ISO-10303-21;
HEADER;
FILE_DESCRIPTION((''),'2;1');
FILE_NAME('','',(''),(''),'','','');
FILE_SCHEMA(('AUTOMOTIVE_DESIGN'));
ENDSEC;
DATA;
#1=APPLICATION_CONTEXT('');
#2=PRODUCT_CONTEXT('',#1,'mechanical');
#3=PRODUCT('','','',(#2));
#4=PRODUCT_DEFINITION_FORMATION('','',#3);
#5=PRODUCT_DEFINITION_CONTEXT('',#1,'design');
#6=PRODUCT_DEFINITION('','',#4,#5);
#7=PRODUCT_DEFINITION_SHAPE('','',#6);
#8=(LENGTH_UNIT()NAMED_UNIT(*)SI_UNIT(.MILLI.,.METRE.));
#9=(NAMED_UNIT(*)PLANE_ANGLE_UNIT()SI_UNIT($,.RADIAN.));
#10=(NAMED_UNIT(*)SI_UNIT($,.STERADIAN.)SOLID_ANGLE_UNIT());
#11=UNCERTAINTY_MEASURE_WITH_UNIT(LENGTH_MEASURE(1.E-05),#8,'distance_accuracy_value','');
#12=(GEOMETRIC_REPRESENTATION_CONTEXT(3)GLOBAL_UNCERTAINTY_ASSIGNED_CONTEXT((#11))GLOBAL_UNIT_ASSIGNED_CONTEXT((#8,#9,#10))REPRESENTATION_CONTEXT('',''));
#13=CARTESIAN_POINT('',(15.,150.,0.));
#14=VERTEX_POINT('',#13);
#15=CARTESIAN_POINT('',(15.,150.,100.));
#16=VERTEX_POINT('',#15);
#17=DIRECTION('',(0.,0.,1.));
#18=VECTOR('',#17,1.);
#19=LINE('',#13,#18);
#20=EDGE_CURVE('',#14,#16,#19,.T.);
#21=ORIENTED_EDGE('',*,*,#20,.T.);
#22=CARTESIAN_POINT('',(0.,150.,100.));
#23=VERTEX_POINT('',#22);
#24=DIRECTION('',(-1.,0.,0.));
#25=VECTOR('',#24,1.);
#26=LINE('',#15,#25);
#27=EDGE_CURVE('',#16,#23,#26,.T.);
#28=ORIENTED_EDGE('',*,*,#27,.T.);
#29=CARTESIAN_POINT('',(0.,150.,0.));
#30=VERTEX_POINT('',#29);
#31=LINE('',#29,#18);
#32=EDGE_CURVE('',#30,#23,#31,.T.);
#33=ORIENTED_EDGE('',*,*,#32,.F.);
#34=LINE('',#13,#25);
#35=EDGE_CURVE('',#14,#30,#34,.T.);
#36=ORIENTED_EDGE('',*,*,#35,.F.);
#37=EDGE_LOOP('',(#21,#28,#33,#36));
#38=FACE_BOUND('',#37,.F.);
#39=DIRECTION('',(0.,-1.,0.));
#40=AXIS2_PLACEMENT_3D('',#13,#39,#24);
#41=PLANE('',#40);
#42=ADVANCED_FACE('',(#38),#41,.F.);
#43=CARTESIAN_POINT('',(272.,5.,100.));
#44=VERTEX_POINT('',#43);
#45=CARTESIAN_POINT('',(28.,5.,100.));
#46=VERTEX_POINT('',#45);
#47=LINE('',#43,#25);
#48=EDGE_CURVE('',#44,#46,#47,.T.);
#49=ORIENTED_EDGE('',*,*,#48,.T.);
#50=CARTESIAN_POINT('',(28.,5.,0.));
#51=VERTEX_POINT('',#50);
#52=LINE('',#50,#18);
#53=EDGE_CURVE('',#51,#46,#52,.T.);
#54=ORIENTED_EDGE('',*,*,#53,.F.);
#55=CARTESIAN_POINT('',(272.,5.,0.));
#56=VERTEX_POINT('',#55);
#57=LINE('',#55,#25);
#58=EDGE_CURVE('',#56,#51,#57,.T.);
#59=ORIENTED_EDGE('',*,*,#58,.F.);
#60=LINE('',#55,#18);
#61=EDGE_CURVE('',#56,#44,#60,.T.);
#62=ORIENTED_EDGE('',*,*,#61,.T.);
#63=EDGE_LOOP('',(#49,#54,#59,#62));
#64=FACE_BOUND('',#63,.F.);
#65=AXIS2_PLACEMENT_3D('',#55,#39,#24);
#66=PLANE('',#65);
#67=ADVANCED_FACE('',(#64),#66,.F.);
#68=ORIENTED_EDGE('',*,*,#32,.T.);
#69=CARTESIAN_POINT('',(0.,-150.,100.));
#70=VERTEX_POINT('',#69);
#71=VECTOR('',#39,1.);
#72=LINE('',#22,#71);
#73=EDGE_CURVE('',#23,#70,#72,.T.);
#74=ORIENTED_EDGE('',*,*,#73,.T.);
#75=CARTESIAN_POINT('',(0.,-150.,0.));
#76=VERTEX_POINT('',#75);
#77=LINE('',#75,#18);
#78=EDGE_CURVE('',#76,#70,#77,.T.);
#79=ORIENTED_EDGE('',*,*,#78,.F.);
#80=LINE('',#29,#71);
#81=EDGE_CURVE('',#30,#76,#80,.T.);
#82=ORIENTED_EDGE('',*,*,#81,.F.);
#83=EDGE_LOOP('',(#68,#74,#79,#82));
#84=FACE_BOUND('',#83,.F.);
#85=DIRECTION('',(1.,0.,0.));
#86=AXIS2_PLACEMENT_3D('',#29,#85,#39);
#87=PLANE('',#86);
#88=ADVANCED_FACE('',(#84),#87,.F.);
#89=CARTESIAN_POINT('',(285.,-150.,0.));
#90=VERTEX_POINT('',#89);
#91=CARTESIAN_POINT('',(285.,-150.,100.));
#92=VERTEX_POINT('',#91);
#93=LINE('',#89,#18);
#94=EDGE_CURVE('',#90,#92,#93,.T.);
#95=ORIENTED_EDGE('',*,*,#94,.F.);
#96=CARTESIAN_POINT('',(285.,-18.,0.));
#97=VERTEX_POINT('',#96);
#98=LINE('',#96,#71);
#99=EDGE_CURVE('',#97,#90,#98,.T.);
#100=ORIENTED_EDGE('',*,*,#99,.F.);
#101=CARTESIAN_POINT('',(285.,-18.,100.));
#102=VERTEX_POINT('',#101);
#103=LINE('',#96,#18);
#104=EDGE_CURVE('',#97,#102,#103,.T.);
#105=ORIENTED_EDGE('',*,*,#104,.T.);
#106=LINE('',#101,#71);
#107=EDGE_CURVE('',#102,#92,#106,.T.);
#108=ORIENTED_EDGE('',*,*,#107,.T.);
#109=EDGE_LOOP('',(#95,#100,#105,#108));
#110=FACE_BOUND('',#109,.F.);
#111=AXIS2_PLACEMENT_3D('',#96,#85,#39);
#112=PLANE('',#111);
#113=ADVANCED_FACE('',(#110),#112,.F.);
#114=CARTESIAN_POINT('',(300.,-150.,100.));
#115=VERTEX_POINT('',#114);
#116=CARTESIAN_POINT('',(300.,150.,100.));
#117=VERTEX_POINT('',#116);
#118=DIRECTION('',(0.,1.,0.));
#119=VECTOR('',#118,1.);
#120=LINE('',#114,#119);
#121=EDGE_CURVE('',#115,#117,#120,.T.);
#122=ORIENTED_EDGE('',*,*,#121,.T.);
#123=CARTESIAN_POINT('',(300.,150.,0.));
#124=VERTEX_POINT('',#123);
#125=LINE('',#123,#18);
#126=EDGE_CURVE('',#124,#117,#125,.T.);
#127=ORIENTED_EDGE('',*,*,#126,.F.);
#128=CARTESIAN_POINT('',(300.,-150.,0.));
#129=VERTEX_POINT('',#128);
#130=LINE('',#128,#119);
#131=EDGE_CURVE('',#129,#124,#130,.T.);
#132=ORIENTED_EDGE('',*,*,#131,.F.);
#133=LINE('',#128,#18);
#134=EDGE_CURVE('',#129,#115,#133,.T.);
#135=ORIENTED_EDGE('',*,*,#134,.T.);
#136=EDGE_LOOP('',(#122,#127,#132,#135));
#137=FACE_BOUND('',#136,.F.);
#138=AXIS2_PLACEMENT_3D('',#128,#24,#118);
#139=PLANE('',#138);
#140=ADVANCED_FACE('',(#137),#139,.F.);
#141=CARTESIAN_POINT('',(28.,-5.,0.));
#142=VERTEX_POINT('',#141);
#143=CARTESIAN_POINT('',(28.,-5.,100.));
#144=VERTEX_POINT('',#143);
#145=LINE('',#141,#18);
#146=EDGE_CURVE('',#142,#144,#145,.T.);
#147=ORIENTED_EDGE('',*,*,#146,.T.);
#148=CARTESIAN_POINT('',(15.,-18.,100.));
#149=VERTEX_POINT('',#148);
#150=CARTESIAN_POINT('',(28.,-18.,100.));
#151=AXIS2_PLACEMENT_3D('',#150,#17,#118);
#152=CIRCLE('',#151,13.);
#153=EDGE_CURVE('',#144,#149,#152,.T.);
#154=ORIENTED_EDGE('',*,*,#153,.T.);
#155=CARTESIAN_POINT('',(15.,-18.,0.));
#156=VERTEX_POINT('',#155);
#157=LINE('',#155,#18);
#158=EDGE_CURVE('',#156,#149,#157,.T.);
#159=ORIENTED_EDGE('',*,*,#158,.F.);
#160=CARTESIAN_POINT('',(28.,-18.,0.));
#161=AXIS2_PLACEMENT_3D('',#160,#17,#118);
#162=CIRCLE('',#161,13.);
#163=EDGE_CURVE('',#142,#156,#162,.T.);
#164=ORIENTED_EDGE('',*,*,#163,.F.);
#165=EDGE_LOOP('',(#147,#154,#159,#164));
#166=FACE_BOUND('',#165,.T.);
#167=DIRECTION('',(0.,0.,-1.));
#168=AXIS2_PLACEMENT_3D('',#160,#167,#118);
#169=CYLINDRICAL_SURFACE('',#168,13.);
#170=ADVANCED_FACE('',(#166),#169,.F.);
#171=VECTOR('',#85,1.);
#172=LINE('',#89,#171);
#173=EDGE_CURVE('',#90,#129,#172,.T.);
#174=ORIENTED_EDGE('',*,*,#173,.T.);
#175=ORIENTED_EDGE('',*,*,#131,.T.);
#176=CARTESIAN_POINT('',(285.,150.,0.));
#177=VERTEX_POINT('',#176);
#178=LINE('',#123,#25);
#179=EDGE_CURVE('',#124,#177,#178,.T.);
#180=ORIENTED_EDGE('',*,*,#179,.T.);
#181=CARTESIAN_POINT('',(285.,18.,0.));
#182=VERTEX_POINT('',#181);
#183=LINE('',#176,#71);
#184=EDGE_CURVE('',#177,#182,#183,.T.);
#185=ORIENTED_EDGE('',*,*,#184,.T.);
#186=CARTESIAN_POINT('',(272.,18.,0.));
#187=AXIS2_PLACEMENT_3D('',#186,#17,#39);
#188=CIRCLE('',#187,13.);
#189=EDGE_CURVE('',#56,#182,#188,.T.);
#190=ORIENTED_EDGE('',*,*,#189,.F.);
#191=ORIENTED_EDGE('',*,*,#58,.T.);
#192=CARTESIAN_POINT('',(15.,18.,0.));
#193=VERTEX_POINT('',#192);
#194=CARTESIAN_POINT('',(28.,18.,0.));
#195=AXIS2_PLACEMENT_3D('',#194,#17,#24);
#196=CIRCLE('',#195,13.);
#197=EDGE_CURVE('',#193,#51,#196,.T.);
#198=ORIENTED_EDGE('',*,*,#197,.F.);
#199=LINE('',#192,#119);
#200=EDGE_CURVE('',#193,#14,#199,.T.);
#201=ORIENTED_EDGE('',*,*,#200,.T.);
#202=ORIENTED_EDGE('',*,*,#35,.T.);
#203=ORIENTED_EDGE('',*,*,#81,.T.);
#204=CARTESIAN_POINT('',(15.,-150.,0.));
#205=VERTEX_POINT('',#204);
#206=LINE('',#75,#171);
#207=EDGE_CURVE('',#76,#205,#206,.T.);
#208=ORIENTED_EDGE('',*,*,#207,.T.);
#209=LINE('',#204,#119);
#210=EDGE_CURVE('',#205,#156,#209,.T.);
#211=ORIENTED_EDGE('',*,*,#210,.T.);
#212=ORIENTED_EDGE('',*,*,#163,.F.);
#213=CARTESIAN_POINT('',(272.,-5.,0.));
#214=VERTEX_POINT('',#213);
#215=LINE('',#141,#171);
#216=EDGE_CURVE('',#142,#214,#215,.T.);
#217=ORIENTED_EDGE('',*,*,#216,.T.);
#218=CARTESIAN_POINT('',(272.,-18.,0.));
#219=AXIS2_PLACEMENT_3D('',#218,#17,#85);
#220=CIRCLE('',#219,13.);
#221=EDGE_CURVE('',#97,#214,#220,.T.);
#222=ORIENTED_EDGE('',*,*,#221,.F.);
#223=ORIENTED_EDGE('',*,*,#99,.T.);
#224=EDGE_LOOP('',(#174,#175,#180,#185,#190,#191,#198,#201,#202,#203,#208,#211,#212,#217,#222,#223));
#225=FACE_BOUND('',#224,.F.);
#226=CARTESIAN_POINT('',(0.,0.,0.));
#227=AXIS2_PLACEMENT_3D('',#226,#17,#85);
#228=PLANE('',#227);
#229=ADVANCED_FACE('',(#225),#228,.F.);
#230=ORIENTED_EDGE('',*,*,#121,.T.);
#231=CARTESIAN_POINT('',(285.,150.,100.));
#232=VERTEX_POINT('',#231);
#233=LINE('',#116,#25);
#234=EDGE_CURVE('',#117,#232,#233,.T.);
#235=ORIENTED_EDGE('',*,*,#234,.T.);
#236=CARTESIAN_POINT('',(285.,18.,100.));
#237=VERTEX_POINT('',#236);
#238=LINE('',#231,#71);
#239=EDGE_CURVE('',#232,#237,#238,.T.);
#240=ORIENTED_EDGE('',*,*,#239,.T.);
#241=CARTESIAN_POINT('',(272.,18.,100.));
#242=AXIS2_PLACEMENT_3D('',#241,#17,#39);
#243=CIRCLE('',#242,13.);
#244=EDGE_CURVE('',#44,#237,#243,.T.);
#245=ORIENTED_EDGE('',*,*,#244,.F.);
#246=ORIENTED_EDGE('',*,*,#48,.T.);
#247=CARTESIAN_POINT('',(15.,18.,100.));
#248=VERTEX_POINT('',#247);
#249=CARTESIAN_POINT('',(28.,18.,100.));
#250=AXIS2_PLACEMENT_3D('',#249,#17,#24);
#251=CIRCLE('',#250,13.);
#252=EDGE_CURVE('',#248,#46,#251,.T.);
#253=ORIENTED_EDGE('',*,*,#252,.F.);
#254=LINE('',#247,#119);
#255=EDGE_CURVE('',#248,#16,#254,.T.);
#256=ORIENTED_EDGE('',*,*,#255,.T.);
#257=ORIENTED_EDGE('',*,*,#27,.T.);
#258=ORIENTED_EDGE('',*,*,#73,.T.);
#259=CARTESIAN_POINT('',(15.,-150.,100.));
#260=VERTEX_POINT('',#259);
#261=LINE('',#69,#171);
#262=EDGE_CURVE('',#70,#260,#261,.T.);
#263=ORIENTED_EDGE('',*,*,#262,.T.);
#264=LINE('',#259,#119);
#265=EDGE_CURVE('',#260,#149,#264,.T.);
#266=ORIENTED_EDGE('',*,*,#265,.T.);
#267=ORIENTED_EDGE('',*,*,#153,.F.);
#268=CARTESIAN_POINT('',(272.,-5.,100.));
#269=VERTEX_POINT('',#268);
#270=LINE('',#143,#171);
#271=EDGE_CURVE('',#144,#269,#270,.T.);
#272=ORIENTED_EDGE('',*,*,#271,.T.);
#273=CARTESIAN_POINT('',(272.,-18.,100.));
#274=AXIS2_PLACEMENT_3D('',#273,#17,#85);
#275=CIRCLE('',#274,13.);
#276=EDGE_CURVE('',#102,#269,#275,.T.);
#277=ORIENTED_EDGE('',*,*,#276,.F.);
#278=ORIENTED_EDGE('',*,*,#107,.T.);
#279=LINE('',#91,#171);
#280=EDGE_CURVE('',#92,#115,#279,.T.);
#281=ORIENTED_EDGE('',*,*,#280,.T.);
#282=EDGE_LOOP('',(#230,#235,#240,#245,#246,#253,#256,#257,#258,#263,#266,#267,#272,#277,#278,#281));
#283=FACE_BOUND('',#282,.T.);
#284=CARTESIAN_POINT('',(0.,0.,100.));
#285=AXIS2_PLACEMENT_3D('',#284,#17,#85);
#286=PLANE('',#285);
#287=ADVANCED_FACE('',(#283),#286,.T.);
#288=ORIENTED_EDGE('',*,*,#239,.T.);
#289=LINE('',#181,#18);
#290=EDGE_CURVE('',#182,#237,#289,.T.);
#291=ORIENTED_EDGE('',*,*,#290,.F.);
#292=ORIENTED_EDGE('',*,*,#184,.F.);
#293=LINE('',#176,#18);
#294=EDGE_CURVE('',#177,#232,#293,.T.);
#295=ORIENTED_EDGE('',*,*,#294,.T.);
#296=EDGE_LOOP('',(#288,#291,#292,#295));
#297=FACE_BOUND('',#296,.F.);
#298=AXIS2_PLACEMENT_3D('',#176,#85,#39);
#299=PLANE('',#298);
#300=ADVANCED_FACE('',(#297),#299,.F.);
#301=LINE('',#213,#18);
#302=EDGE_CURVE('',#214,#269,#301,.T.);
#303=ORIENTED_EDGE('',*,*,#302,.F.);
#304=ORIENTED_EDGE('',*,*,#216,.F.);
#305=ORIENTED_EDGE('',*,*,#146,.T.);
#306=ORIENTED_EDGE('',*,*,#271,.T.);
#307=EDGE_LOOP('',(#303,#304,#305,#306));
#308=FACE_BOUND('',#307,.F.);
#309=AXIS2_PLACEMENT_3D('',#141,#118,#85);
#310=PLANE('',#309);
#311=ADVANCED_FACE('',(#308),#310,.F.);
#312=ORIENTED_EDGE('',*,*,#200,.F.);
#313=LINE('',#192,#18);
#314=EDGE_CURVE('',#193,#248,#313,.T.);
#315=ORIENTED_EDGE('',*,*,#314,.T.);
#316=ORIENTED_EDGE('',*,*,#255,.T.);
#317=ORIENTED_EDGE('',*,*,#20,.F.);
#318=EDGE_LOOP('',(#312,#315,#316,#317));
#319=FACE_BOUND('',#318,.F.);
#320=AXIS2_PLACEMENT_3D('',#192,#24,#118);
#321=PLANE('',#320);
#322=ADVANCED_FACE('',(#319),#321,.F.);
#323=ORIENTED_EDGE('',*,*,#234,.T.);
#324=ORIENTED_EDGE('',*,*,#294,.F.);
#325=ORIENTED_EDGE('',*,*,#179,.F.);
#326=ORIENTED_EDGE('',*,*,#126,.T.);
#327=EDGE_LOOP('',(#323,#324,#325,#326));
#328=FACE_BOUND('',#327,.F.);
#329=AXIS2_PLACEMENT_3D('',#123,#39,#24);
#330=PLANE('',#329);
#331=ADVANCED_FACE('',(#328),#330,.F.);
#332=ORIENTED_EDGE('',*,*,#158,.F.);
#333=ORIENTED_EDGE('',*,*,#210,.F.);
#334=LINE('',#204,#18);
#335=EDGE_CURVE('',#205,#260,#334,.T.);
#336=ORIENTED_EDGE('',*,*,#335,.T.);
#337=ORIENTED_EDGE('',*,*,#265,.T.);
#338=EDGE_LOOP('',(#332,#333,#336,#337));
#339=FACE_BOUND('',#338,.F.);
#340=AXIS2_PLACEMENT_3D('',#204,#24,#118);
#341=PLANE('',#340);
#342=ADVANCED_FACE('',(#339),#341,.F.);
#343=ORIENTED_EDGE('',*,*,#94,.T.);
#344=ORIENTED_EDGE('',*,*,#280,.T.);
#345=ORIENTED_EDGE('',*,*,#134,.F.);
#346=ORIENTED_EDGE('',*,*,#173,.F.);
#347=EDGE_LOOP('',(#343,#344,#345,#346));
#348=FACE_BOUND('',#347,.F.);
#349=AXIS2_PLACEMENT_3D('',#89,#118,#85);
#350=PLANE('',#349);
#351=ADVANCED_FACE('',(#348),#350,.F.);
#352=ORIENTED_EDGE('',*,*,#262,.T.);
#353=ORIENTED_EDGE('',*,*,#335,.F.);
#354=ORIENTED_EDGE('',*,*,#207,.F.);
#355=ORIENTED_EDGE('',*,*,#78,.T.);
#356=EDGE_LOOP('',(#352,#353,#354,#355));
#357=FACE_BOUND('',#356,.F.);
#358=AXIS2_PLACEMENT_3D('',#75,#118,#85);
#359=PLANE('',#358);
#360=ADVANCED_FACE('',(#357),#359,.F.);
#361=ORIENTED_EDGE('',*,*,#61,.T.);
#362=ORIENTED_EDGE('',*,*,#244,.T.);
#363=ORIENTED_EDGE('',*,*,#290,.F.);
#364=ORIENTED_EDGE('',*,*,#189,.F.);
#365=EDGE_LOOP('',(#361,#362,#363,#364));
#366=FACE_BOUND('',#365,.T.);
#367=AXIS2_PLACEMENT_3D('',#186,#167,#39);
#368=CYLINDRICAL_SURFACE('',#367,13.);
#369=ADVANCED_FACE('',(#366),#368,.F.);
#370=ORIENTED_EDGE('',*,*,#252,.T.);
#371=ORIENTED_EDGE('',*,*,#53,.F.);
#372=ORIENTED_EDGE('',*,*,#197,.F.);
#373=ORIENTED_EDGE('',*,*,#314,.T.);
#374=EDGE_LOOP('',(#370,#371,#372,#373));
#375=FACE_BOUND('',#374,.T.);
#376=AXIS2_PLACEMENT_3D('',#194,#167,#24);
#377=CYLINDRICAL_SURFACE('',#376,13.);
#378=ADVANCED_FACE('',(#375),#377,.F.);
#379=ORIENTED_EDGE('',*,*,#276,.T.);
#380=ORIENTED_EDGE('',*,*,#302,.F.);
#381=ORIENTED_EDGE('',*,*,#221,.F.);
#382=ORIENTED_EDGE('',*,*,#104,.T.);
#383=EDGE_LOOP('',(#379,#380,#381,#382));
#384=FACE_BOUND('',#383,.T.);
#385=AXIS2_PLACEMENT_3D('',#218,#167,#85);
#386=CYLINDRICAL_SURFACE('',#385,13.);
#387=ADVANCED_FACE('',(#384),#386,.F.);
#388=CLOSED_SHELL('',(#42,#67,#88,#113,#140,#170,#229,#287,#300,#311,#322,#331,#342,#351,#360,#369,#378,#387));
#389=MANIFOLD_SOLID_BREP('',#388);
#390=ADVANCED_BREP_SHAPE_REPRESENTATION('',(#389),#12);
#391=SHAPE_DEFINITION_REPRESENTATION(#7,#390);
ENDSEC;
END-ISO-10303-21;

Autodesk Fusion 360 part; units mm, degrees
sketch "スケッチ1" plane through (0, 0, 0) normal (0, 0, 1) x (1, 0, 0)
  line L0 (0, 150) -> (0, -150)
  line L1 (300, -150) -> (300, 150)
  line L2 (285, -18) -> (285, -150)
  line L3 (15, -150) -> (15, -18)
  line L4 (0, -150) -> (15, -150)
  line L5 (285, -150) -> (300, -150)
  line L6 (15, 18) -> (15, 150)
  line L7 (285, 150) -> (285, 18)
  line L8 (272, 5) -> (28, 5)
  line L9 (28, -5) -> (272, -5)
  line L10 (15, 150) -> (0, 150)
  line L11 (300, 150) -> (285, 150)
  arc A0 (28, -5) -> (15, -18) centre (28, -18) ccw
  arc A1 (15, 18) -> (28, 5) centre (28, 18) ccw
  arc A2 (272, 5) -> (285, 18) centre (272, 18) ccw
  arc A3 (285, -18) -> (272, -5) centre (272, -18) ccw
extrude "押し出し1" add sketch "スケッチ1" along normal blind 100
